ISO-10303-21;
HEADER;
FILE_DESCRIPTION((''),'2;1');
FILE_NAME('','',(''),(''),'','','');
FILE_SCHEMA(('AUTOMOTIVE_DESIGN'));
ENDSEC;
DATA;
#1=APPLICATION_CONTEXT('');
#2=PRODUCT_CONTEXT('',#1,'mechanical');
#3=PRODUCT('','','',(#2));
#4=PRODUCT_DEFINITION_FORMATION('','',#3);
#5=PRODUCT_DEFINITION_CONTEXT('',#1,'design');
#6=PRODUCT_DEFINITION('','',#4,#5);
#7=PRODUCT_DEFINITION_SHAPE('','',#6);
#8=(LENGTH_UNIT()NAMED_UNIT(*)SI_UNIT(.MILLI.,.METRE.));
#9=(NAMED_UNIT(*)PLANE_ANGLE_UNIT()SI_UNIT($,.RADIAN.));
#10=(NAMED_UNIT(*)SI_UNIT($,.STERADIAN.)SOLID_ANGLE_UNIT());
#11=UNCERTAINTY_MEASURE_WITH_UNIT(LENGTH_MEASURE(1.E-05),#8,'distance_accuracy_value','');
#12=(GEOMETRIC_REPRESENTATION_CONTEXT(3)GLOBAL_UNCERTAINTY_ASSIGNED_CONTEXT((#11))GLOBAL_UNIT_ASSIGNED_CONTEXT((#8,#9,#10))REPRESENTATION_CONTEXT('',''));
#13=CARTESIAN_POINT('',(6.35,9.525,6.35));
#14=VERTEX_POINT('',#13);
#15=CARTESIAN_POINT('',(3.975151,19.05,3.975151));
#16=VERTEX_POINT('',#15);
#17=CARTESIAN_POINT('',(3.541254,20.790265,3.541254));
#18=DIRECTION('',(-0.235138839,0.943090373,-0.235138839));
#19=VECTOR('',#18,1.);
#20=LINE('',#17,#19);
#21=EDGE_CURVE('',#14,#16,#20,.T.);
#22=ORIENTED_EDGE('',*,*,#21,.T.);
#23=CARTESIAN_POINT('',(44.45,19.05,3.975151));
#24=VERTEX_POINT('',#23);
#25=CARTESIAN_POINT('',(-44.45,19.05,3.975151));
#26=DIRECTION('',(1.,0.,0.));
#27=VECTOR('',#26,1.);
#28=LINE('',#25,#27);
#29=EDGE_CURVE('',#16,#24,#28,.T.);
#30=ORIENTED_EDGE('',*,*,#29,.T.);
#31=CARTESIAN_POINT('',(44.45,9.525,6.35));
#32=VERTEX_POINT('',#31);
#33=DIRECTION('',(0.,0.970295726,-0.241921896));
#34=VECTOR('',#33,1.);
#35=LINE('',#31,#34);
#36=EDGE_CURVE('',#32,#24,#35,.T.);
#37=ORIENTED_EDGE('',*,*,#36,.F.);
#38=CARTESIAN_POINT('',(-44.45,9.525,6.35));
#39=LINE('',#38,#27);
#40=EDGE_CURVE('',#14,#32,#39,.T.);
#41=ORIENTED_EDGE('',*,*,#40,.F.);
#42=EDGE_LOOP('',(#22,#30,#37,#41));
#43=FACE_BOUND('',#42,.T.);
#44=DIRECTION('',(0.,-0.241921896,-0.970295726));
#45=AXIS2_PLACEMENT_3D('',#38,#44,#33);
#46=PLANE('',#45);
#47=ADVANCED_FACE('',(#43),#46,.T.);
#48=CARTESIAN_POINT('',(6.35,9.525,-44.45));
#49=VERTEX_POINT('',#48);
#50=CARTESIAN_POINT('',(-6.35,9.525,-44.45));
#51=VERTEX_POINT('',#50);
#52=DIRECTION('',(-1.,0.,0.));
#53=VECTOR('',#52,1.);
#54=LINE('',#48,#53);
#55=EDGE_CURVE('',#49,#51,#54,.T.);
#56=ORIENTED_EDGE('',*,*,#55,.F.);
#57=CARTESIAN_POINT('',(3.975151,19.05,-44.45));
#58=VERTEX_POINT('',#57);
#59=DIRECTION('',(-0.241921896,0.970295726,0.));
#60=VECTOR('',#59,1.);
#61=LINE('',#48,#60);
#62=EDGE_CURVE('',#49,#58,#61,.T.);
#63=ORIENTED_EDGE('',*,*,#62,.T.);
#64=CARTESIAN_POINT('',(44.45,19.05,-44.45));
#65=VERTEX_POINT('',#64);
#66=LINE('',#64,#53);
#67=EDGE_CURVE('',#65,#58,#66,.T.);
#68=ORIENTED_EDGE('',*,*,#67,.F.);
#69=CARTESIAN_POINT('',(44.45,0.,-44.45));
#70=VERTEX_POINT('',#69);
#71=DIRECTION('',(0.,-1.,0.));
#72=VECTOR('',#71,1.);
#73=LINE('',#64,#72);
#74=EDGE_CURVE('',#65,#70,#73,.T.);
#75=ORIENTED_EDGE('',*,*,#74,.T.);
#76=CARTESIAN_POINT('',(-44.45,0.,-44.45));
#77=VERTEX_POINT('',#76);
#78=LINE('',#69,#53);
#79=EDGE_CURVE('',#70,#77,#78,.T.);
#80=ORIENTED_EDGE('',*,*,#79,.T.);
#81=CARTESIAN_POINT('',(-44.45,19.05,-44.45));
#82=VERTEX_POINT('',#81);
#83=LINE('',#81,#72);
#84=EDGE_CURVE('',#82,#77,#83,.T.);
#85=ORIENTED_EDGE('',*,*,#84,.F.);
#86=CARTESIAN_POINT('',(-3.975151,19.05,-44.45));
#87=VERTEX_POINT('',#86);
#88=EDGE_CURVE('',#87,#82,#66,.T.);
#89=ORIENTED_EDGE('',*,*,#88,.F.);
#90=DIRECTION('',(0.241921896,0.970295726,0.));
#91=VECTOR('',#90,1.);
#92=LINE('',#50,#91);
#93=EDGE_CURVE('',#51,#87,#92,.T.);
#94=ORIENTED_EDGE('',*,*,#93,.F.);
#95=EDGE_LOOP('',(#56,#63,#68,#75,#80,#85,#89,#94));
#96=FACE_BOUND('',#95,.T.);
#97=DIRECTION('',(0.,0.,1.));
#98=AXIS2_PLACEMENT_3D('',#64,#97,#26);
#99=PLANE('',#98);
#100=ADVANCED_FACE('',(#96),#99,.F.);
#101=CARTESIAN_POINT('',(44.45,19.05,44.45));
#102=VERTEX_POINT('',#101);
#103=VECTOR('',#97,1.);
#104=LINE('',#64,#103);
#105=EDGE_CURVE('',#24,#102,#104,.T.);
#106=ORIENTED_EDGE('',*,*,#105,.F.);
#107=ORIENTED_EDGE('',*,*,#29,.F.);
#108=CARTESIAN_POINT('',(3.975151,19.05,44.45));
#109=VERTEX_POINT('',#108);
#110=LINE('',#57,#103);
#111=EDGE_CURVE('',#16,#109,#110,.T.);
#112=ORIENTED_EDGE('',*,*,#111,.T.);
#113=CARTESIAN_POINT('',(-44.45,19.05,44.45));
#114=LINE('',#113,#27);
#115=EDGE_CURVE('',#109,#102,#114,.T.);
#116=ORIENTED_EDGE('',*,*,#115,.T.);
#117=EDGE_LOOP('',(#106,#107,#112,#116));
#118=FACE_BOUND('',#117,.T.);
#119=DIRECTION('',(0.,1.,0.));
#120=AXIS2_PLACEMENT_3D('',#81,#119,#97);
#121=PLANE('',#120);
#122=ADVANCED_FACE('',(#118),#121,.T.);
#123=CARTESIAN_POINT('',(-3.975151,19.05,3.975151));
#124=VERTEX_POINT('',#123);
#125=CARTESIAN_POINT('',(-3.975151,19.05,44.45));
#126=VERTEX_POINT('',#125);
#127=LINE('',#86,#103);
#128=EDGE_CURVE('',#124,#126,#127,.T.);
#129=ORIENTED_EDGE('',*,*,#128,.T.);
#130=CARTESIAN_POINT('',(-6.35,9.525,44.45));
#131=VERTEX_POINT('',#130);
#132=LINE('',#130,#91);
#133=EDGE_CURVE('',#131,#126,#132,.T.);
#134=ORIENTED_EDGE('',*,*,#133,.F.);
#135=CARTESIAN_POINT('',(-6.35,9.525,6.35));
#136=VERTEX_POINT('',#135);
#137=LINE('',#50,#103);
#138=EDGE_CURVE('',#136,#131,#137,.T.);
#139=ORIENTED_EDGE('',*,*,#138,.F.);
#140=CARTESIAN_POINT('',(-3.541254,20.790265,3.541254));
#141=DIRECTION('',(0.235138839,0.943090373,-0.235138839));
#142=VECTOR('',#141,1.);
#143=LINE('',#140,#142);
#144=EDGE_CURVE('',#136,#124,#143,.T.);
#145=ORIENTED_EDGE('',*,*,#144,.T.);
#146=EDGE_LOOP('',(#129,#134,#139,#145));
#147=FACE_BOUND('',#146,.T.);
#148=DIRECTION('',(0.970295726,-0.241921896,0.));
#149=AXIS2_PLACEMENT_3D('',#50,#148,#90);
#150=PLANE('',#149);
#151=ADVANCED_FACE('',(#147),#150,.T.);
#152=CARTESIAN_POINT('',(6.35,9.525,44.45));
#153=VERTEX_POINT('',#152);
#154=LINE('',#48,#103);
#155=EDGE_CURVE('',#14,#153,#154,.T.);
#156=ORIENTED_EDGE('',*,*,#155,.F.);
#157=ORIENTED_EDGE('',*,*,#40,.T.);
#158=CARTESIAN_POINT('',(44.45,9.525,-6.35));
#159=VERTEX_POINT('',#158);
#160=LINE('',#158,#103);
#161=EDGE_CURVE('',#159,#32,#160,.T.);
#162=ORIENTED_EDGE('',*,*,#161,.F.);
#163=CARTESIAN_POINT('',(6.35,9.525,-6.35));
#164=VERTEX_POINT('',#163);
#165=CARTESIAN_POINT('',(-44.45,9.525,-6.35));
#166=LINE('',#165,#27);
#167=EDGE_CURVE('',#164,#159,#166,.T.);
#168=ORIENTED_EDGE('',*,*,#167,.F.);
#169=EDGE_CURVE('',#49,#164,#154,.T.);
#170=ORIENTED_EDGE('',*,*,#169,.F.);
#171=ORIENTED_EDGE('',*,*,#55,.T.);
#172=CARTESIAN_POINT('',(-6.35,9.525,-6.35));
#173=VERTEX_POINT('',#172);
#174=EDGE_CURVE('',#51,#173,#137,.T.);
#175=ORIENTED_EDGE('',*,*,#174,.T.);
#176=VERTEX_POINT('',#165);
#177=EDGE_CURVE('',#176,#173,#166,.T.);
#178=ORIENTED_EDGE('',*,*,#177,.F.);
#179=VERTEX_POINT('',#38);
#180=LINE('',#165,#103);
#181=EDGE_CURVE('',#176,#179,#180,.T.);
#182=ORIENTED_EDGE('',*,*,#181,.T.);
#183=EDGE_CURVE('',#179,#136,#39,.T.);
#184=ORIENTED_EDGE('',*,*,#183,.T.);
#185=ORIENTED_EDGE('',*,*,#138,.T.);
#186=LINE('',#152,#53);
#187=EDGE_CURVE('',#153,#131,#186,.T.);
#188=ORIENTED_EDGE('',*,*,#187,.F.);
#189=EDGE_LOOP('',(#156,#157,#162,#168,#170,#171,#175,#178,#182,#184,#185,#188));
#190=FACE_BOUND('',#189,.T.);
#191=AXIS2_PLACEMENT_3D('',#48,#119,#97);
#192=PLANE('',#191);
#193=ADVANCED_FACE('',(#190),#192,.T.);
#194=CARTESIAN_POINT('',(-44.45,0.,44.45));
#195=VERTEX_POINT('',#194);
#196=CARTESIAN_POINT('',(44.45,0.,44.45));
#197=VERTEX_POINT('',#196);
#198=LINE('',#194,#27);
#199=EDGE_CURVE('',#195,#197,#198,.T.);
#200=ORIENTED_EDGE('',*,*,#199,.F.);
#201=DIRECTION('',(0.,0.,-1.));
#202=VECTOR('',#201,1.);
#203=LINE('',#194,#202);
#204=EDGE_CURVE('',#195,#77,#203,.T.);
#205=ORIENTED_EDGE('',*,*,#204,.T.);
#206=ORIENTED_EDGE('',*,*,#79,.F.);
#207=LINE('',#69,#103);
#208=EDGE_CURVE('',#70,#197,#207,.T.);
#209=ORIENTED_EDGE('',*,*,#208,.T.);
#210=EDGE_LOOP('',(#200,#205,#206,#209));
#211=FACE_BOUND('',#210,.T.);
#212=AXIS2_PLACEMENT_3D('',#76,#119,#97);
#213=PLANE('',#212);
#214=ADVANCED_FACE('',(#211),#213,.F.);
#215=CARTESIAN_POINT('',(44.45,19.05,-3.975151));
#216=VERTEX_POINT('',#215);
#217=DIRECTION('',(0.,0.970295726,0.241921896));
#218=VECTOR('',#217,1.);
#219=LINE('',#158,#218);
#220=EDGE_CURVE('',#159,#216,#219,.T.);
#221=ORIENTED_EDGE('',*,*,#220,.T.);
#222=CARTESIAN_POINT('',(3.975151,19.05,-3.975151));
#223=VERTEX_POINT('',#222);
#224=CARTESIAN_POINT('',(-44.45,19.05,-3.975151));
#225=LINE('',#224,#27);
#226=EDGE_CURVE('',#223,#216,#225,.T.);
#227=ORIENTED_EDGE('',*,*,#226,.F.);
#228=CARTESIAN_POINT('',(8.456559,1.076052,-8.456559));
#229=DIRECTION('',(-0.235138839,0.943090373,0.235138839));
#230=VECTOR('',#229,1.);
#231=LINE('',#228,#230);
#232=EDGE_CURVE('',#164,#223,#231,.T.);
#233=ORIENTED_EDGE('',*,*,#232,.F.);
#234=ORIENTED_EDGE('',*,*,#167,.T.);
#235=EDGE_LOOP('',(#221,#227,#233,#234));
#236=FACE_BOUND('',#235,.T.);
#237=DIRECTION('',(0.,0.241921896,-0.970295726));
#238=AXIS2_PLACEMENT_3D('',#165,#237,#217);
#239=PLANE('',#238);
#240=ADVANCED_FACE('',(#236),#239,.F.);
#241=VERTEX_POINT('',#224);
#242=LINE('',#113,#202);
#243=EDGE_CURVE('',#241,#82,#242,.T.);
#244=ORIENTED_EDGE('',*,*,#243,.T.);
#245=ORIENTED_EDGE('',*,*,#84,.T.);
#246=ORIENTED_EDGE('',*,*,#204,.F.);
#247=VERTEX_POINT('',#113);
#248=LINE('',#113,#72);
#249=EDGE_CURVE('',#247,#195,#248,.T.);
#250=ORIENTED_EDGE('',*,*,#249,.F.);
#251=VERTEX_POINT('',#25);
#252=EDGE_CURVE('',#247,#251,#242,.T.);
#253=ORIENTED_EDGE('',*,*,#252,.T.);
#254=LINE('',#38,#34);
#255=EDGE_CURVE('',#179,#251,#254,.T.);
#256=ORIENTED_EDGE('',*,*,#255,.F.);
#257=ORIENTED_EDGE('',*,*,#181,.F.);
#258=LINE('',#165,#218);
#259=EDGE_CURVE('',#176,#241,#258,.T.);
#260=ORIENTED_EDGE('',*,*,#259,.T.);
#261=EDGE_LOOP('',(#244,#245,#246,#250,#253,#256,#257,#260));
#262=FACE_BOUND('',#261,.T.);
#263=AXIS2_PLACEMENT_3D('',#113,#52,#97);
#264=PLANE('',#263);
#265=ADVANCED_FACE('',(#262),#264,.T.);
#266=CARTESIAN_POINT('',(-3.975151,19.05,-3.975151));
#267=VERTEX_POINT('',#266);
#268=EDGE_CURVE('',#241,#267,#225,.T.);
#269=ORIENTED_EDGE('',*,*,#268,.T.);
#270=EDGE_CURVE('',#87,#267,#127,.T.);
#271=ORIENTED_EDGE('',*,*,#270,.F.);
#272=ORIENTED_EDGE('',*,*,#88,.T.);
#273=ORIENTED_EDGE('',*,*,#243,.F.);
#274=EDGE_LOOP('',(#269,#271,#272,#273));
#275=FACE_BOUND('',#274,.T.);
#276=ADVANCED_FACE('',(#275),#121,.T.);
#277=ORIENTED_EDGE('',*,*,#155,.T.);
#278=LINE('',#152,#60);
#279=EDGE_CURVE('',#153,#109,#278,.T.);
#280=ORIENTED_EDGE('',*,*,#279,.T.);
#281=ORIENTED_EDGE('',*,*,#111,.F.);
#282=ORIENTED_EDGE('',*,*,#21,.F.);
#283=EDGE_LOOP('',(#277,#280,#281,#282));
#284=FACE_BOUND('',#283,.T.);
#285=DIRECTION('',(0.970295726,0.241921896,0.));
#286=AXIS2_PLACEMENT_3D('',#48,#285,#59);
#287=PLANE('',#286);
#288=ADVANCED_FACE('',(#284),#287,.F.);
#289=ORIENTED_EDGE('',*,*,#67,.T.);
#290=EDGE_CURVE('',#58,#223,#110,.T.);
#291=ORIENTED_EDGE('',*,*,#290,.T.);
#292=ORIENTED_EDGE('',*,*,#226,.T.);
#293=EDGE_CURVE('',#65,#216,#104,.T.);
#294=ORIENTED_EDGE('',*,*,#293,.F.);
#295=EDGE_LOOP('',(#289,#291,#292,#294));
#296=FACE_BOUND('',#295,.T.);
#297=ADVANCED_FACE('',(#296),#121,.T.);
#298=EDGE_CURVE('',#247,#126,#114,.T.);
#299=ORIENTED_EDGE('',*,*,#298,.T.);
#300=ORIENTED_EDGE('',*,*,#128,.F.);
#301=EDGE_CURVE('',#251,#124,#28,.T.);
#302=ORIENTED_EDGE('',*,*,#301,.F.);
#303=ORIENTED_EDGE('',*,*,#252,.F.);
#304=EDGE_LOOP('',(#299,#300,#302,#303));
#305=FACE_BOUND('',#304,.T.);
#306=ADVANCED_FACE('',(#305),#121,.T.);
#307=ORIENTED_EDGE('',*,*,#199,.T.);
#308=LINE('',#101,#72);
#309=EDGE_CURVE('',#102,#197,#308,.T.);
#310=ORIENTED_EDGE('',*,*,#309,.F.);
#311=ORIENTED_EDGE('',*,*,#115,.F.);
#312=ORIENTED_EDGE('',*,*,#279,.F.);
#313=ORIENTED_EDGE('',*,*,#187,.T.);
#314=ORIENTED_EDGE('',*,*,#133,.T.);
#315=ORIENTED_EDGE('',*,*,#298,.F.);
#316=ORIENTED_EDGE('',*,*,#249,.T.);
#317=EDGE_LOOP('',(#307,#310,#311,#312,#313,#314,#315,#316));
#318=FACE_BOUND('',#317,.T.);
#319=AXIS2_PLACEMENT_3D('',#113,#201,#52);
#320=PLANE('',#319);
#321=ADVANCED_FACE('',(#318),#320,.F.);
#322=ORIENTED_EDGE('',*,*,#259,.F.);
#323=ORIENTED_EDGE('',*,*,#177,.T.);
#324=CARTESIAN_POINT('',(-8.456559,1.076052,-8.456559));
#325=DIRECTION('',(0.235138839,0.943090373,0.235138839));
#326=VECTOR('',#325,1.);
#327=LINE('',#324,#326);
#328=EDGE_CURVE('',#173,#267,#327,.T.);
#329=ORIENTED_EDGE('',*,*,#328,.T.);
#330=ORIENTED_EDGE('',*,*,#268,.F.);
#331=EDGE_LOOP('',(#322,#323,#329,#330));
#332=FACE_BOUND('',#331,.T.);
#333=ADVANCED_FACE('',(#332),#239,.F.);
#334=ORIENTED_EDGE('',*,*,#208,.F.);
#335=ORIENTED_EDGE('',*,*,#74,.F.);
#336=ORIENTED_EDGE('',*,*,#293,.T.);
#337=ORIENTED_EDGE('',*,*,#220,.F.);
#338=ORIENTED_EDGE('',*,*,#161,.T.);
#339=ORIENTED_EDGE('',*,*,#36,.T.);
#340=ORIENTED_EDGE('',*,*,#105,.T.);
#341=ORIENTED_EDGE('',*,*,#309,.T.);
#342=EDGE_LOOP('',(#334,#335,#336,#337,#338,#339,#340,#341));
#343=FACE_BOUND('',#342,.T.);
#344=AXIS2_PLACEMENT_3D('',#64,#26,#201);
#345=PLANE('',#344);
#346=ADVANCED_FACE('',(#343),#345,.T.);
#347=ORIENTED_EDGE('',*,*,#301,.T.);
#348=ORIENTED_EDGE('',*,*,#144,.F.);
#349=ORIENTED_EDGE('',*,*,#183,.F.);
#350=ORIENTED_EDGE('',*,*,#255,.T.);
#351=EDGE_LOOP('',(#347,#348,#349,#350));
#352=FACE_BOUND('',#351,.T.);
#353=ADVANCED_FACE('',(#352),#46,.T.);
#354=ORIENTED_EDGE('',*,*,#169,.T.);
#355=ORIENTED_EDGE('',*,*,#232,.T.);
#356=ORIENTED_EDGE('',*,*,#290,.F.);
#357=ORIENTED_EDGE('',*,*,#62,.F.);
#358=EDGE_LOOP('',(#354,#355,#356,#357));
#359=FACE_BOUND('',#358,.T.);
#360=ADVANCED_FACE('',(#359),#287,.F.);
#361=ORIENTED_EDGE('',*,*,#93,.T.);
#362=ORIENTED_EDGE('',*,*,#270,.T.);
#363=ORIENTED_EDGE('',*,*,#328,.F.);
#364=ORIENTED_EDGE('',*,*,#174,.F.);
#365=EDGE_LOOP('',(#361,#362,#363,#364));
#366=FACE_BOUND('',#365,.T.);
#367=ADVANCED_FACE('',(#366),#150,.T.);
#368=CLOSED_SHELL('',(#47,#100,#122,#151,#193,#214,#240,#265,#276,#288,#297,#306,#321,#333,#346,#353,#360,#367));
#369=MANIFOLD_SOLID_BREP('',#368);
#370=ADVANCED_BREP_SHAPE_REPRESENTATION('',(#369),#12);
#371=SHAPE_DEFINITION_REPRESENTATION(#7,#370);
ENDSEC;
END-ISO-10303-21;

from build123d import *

# Parameters (mm, degrees)
SKETCH1_W          = 88.9
SKETCH1_H          = 88.9
BASE_EXTRUDE_DEPTH = 19.05
CUT_EXTRUDE1_DEPTH = 89.9
CUT_EXTRUDE2_DEPTH = 89.9


with BuildPart() as part:
    # Sketch1 → Base-Extrude (new body)
    with BuildSketch(Plane(origin=(0, 0, 0), x_dir=(1, 0, 0), z_dir=(0, 1, 0))):
        Rectangle(SKETCH1_W, SKETCH1_H)
    extrude(amount=BASE_EXTRUDE_DEPTH)

    # Sketch2 → Cut-Extrude1 (cut, through all)
    with BuildSketch(Plane.XY.offset(44.45)):
        Polygon((6.35, 9.525), (-6.35, 9.525), (-3.975150773, 19.05), (3.975150773, 19.05), align=None)
    extrude(amount=-CUT_EXTRUDE1_DEPTH, mode=Mode.SUBTRACT)

    # Sketch3 → Cut-Extrude2 (cut, through all)
    with BuildSketch(Plane(origin=(44.45, -3.538159269, -0.664564519), x_dir=(0, 0, -1), z_dir=(1, 0, 0))):
        Polygon((5.685435481, 13.063159269), (-7.014564519, 13.063159269), (-4.639715292, 22.588159269), (3.310586254, 22.588159269), align=None)
    extrude(amount=-CUT_EXTRUDE2_DEPTH, mode=Mode.SUBTRACT)


solid = part.part
